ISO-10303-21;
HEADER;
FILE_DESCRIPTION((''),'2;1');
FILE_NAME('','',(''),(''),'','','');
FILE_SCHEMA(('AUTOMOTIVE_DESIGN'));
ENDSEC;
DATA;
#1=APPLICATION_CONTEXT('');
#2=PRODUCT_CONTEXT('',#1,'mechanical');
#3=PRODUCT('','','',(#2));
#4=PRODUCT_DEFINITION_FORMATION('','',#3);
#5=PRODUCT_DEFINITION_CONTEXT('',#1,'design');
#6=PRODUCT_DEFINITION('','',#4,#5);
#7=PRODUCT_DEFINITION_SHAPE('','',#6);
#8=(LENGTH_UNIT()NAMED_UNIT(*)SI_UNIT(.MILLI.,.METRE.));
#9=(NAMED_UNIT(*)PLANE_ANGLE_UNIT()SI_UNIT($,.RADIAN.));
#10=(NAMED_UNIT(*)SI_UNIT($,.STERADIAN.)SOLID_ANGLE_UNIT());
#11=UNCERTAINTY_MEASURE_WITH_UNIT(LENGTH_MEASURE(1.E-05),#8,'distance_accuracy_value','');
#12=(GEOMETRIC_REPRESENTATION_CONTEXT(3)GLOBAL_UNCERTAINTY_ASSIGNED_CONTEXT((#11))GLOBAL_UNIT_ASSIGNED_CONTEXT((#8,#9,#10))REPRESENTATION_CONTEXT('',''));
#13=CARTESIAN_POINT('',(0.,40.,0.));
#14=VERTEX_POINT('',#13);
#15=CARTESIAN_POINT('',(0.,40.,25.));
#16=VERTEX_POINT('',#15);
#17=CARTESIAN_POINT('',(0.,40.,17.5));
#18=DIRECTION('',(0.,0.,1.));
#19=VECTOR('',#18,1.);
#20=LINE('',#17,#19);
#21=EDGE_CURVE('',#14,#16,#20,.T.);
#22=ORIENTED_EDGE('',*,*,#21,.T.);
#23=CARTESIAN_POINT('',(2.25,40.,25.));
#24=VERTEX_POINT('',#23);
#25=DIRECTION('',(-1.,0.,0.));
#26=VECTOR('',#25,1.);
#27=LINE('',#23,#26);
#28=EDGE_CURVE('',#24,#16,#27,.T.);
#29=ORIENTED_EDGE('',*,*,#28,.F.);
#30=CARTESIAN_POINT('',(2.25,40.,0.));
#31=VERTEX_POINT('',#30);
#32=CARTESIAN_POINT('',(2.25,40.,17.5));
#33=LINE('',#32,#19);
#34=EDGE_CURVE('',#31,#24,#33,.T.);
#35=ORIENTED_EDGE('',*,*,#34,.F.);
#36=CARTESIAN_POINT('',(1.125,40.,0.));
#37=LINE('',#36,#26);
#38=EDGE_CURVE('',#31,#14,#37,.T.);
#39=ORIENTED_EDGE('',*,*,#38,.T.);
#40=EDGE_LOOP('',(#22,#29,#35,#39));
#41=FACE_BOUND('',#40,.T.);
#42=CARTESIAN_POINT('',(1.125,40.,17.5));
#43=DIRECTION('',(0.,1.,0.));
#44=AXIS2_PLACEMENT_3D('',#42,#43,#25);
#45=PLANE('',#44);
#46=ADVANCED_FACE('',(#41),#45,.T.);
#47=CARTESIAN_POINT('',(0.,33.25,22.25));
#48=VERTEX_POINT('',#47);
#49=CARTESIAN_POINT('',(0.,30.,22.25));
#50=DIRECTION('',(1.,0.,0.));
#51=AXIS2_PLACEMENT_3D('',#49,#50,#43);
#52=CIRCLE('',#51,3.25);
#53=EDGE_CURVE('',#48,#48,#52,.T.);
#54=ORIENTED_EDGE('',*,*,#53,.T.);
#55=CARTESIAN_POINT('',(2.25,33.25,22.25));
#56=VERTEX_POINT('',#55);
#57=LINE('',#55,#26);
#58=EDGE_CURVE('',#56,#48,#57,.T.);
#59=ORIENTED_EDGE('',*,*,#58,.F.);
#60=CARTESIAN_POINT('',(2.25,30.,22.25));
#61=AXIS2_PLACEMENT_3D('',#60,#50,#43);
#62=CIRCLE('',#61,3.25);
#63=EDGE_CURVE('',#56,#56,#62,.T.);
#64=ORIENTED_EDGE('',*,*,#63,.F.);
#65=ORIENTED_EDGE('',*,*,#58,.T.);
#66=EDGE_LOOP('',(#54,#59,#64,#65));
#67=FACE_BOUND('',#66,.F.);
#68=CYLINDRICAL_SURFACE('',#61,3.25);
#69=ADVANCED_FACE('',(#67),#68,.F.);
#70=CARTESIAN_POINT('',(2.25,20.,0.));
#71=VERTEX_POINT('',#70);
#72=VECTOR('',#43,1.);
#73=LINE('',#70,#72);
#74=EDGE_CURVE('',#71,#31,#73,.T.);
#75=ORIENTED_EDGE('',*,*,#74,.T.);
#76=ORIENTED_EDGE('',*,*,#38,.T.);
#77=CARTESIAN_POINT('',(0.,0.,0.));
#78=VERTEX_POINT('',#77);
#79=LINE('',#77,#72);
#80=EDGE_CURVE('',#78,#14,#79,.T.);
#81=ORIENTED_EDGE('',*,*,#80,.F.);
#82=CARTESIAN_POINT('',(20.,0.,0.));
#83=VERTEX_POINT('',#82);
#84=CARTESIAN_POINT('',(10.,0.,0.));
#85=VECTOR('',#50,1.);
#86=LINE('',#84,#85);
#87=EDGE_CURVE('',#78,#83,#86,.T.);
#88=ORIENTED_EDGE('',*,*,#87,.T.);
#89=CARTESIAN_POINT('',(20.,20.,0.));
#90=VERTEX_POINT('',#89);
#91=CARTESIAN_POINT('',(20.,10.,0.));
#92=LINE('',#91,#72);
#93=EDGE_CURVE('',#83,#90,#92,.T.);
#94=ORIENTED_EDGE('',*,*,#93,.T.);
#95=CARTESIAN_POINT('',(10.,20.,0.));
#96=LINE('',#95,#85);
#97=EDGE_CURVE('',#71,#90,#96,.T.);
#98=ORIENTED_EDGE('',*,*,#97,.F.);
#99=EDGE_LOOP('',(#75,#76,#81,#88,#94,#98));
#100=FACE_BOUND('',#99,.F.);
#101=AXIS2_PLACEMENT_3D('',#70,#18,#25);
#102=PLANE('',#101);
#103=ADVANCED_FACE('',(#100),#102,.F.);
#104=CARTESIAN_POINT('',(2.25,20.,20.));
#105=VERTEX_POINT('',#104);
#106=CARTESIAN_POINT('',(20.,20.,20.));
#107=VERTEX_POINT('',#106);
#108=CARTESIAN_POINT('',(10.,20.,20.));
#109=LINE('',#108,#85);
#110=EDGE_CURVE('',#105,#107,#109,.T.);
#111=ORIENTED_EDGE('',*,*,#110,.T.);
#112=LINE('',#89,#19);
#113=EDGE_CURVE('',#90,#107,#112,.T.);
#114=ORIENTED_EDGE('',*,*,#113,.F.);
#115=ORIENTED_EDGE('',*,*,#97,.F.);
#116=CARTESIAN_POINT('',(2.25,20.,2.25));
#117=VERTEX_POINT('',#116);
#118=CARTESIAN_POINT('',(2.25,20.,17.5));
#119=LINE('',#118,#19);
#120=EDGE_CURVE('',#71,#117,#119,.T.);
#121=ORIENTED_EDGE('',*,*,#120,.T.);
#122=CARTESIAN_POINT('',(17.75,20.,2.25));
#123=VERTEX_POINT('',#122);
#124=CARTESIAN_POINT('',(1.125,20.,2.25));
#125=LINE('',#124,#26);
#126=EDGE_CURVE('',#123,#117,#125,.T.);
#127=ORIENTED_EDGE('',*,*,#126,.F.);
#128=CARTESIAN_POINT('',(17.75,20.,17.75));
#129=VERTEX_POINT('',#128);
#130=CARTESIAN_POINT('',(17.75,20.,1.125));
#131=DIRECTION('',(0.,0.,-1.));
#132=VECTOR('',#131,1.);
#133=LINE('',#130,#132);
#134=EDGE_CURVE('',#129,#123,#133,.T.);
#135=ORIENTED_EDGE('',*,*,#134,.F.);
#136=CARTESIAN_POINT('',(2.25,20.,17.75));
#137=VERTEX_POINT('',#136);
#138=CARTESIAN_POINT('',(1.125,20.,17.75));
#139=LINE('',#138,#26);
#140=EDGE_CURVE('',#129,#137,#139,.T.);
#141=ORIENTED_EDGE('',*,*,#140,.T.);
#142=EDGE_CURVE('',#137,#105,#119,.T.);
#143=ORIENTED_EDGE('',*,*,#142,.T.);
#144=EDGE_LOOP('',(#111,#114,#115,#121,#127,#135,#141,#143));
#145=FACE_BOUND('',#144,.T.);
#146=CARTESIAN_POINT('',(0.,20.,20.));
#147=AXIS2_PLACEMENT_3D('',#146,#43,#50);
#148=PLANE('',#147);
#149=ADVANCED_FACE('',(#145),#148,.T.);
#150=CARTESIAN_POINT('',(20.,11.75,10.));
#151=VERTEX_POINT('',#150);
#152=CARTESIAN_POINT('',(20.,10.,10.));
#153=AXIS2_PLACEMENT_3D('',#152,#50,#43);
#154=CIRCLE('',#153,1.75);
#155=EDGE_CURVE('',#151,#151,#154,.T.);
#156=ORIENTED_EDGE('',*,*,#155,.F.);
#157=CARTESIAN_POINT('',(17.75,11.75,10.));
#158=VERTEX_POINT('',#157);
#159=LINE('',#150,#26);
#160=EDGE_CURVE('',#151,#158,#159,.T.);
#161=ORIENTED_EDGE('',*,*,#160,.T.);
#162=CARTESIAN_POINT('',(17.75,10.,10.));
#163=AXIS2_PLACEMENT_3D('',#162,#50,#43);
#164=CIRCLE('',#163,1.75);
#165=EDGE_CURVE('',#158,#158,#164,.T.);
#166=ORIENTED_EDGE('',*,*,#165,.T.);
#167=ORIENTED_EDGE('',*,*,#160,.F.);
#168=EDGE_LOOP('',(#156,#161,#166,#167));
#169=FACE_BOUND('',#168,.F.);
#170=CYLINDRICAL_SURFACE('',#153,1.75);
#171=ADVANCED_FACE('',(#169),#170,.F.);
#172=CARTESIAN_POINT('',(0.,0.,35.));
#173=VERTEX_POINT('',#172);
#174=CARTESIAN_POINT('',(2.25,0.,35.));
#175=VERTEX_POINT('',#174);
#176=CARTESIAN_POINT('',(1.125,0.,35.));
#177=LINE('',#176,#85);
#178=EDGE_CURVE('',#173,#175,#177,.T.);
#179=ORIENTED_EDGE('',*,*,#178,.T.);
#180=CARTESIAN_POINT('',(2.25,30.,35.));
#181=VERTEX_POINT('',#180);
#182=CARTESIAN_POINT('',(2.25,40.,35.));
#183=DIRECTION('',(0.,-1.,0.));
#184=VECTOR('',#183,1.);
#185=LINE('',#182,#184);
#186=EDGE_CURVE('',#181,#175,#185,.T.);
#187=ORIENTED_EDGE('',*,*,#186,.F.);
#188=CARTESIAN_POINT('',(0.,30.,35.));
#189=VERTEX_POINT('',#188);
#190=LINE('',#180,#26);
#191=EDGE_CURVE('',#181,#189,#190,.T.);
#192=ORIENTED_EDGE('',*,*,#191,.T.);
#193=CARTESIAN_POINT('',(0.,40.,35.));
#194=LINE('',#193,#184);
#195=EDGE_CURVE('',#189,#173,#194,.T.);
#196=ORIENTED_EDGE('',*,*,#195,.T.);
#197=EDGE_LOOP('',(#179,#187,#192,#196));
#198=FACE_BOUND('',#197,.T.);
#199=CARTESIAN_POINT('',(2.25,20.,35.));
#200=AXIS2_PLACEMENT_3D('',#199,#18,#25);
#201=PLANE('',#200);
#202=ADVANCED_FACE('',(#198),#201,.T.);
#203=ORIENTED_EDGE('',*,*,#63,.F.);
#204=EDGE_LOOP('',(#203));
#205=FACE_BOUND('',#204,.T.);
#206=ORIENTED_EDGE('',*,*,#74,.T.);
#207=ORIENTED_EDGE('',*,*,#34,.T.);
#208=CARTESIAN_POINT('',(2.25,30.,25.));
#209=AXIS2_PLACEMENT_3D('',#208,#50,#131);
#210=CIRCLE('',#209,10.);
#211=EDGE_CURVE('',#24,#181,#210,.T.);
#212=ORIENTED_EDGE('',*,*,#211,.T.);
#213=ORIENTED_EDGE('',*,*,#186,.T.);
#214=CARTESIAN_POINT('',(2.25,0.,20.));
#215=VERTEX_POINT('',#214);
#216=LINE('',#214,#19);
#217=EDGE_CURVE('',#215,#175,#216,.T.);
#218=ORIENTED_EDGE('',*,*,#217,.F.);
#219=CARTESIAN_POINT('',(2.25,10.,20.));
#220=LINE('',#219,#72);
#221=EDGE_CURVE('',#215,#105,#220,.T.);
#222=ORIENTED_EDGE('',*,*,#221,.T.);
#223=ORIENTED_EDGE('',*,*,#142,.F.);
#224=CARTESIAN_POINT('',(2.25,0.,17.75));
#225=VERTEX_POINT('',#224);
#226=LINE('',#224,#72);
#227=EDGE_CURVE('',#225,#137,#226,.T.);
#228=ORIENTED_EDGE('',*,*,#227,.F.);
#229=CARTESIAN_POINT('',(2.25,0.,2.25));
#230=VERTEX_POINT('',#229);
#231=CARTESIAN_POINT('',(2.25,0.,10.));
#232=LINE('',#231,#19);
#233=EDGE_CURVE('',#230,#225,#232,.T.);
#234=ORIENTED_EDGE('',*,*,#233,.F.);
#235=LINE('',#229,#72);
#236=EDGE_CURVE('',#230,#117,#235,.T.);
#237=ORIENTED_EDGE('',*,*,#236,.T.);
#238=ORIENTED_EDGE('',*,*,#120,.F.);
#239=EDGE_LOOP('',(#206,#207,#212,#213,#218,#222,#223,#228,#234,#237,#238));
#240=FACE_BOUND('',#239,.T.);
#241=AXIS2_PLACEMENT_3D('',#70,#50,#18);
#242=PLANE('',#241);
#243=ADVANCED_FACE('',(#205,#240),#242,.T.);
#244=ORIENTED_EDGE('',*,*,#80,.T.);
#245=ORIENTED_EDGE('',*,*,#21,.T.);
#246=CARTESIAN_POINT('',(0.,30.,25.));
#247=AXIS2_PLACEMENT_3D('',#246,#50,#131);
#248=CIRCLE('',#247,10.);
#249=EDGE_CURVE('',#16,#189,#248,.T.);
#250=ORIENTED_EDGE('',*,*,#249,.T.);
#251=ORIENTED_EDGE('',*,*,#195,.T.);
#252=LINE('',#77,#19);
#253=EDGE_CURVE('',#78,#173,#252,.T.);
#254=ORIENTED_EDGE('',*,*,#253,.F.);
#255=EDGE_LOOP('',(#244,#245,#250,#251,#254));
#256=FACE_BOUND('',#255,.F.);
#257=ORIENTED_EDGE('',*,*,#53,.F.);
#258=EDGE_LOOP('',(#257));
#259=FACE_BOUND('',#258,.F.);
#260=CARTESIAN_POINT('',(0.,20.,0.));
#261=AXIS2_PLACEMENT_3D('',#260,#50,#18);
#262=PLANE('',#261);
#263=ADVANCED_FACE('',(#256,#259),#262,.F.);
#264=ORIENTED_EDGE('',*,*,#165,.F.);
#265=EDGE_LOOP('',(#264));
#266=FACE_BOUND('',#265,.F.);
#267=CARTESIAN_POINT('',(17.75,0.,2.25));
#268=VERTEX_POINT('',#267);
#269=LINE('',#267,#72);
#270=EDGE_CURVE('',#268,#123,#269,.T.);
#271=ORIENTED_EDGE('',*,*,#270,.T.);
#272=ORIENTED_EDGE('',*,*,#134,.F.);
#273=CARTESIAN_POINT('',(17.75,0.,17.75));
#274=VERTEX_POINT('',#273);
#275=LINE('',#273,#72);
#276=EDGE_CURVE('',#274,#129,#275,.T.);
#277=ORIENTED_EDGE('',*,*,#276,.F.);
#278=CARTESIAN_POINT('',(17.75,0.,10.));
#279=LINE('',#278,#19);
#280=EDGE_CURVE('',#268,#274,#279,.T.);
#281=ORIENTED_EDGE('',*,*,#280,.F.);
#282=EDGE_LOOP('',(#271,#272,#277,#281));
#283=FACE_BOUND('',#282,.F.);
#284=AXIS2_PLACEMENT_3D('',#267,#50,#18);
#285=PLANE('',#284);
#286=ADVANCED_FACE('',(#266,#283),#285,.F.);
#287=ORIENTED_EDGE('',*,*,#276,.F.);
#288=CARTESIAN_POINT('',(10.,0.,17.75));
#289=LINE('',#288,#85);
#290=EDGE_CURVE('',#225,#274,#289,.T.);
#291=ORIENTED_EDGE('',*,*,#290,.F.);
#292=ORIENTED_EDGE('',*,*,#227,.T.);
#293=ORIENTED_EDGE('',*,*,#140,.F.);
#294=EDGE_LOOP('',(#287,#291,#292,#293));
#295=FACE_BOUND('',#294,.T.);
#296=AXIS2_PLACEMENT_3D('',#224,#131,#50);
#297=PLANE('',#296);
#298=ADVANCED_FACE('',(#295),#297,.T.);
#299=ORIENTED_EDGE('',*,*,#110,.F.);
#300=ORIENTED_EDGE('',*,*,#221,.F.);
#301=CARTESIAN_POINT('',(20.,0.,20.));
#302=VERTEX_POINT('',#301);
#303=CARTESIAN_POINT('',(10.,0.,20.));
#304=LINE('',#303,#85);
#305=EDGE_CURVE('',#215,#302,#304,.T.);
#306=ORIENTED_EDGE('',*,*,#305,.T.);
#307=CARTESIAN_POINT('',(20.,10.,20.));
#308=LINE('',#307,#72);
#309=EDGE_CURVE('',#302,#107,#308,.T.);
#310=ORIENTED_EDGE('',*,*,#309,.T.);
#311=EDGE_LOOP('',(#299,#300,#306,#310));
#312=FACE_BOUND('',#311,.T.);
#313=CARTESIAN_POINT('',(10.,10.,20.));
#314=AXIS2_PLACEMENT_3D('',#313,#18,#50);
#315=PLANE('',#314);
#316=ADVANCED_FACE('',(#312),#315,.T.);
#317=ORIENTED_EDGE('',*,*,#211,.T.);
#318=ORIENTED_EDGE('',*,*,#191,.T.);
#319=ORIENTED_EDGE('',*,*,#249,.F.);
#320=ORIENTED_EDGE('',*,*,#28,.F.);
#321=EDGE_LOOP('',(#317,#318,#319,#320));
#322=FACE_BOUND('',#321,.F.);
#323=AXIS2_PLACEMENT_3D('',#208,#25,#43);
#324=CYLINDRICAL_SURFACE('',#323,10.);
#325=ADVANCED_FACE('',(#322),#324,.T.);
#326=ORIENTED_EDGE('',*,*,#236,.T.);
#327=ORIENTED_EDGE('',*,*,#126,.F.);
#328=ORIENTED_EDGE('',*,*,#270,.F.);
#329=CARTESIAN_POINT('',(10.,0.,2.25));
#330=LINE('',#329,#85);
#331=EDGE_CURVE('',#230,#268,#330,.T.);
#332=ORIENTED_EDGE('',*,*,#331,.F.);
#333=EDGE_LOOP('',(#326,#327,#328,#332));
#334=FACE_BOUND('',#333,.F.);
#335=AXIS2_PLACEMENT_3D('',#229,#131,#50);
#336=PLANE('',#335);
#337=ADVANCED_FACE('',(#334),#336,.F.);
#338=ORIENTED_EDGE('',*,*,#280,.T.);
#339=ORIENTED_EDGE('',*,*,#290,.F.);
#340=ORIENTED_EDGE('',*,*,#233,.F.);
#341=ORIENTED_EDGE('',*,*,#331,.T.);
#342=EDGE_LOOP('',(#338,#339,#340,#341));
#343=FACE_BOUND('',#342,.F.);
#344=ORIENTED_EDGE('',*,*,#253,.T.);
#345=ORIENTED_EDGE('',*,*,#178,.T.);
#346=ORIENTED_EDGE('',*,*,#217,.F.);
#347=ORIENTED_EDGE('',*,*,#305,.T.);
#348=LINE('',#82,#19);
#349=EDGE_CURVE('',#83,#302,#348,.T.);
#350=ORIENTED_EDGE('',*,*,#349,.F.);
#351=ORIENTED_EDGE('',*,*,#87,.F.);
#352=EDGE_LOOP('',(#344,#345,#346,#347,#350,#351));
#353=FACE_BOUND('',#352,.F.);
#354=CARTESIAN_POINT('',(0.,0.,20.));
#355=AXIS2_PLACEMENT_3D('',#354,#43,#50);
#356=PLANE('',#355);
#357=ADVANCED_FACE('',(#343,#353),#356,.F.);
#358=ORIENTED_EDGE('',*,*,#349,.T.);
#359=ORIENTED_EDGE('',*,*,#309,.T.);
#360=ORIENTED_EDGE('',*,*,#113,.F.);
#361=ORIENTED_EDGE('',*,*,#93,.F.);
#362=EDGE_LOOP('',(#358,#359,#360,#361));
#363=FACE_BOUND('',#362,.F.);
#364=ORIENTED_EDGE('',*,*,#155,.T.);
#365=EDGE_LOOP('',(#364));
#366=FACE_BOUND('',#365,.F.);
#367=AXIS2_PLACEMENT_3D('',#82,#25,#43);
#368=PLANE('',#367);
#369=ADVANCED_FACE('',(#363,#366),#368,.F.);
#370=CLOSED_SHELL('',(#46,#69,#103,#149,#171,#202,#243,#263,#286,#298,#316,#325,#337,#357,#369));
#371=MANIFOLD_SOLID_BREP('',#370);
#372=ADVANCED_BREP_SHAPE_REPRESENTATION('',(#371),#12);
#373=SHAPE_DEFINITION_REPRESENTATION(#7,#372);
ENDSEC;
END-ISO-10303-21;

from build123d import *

# Parameters (mm, degrees)
F0_W          = 20
F0_H          = 20
F1_DEPTH      = 20
F2_W          = 15.5
F2_H          = 15.5
F3_DEPTH      = 25
F3_DEPTH_BACK = 25
F4_W          = 2.25
F4_H          = 20
F5_DEPTH      = 15
F6_W          = 2.25
F6_H          = 35
F7_DEPTH      = 20
F8_R          = 3.25
F9_DEPTH      = 25
F9_DEPTH_BACK = 25
F10_R         = 1.75
F11_DEPTH     = 5
F12_R         = 10


with BuildPart() as f1:
    # F0 (on Top) → F1 (new body)
    with BuildSketch(Plane.XY):
        with Locations((10, 10)):
            Rectangle(F0_W, F0_H)
    extrude(amount=F1_DEPTH)

    # F2 (on face) → F3 (cut, two sides)
    with BuildSketch(Plane.XZ) as f3_sk:
        with Locations((10, 10)):
            Rectangle(F2_W, F2_H)
    extrude(amount=F3_DEPTH, mode=Mode.SUBTRACT)
    extrude(f3_sk.sketch, amount=-F3_DEPTH_BACK, mode=Mode.SUBTRACT)

    # F4 (on face) → F5 (join)
    with BuildSketch(Plane.XY.offset(20)):
        with Locations((1.125, 10)):
            Rectangle(F4_W, F4_H)
    extrude(amount=F5_DEPTH)

    # F6 (on face) → F7 (join)
    with BuildSketch(Plane(origin=(0, 20, 0), x_dir=(-1, 0, 0), z_dir=(0, 1, 0))):
        with Locations((-1.125, 17.5)):
            Rectangle(F6_W, F6_H)
    extrude(amount=F7_DEPTH)

    # F8 (on face) → F9 (cut, two sides)
    with BuildSketch(Plane.YZ.offset(2.25)) as f9_sk:
        with Locations((30, 22.25)):
            Circle(F8_R)
    extrude(amount=-F9_DEPTH, mode=Mode.SUBTRACT)
    extrude(f9_sk.sketch, amount=-F9_DEPTH_BACK, mode=Mode.SUBTRACT)

    # F10 (on face) → F11 (cut)
    with BuildSketch(Plane.YZ.offset(20)):
        with Locations((10, 10)):
            Circle(F10_R)
    extrude(amount=-F11_DEPTH, mode=Mode.SUBTRACT)

    # F12
    f12_edges = [f1.edges().sort_by_distance(p)[0] for p in [
        (1.125, 40, 35),
    ]]
    fillet(f12_edges, radius=F12_R)


solid = f1.part
